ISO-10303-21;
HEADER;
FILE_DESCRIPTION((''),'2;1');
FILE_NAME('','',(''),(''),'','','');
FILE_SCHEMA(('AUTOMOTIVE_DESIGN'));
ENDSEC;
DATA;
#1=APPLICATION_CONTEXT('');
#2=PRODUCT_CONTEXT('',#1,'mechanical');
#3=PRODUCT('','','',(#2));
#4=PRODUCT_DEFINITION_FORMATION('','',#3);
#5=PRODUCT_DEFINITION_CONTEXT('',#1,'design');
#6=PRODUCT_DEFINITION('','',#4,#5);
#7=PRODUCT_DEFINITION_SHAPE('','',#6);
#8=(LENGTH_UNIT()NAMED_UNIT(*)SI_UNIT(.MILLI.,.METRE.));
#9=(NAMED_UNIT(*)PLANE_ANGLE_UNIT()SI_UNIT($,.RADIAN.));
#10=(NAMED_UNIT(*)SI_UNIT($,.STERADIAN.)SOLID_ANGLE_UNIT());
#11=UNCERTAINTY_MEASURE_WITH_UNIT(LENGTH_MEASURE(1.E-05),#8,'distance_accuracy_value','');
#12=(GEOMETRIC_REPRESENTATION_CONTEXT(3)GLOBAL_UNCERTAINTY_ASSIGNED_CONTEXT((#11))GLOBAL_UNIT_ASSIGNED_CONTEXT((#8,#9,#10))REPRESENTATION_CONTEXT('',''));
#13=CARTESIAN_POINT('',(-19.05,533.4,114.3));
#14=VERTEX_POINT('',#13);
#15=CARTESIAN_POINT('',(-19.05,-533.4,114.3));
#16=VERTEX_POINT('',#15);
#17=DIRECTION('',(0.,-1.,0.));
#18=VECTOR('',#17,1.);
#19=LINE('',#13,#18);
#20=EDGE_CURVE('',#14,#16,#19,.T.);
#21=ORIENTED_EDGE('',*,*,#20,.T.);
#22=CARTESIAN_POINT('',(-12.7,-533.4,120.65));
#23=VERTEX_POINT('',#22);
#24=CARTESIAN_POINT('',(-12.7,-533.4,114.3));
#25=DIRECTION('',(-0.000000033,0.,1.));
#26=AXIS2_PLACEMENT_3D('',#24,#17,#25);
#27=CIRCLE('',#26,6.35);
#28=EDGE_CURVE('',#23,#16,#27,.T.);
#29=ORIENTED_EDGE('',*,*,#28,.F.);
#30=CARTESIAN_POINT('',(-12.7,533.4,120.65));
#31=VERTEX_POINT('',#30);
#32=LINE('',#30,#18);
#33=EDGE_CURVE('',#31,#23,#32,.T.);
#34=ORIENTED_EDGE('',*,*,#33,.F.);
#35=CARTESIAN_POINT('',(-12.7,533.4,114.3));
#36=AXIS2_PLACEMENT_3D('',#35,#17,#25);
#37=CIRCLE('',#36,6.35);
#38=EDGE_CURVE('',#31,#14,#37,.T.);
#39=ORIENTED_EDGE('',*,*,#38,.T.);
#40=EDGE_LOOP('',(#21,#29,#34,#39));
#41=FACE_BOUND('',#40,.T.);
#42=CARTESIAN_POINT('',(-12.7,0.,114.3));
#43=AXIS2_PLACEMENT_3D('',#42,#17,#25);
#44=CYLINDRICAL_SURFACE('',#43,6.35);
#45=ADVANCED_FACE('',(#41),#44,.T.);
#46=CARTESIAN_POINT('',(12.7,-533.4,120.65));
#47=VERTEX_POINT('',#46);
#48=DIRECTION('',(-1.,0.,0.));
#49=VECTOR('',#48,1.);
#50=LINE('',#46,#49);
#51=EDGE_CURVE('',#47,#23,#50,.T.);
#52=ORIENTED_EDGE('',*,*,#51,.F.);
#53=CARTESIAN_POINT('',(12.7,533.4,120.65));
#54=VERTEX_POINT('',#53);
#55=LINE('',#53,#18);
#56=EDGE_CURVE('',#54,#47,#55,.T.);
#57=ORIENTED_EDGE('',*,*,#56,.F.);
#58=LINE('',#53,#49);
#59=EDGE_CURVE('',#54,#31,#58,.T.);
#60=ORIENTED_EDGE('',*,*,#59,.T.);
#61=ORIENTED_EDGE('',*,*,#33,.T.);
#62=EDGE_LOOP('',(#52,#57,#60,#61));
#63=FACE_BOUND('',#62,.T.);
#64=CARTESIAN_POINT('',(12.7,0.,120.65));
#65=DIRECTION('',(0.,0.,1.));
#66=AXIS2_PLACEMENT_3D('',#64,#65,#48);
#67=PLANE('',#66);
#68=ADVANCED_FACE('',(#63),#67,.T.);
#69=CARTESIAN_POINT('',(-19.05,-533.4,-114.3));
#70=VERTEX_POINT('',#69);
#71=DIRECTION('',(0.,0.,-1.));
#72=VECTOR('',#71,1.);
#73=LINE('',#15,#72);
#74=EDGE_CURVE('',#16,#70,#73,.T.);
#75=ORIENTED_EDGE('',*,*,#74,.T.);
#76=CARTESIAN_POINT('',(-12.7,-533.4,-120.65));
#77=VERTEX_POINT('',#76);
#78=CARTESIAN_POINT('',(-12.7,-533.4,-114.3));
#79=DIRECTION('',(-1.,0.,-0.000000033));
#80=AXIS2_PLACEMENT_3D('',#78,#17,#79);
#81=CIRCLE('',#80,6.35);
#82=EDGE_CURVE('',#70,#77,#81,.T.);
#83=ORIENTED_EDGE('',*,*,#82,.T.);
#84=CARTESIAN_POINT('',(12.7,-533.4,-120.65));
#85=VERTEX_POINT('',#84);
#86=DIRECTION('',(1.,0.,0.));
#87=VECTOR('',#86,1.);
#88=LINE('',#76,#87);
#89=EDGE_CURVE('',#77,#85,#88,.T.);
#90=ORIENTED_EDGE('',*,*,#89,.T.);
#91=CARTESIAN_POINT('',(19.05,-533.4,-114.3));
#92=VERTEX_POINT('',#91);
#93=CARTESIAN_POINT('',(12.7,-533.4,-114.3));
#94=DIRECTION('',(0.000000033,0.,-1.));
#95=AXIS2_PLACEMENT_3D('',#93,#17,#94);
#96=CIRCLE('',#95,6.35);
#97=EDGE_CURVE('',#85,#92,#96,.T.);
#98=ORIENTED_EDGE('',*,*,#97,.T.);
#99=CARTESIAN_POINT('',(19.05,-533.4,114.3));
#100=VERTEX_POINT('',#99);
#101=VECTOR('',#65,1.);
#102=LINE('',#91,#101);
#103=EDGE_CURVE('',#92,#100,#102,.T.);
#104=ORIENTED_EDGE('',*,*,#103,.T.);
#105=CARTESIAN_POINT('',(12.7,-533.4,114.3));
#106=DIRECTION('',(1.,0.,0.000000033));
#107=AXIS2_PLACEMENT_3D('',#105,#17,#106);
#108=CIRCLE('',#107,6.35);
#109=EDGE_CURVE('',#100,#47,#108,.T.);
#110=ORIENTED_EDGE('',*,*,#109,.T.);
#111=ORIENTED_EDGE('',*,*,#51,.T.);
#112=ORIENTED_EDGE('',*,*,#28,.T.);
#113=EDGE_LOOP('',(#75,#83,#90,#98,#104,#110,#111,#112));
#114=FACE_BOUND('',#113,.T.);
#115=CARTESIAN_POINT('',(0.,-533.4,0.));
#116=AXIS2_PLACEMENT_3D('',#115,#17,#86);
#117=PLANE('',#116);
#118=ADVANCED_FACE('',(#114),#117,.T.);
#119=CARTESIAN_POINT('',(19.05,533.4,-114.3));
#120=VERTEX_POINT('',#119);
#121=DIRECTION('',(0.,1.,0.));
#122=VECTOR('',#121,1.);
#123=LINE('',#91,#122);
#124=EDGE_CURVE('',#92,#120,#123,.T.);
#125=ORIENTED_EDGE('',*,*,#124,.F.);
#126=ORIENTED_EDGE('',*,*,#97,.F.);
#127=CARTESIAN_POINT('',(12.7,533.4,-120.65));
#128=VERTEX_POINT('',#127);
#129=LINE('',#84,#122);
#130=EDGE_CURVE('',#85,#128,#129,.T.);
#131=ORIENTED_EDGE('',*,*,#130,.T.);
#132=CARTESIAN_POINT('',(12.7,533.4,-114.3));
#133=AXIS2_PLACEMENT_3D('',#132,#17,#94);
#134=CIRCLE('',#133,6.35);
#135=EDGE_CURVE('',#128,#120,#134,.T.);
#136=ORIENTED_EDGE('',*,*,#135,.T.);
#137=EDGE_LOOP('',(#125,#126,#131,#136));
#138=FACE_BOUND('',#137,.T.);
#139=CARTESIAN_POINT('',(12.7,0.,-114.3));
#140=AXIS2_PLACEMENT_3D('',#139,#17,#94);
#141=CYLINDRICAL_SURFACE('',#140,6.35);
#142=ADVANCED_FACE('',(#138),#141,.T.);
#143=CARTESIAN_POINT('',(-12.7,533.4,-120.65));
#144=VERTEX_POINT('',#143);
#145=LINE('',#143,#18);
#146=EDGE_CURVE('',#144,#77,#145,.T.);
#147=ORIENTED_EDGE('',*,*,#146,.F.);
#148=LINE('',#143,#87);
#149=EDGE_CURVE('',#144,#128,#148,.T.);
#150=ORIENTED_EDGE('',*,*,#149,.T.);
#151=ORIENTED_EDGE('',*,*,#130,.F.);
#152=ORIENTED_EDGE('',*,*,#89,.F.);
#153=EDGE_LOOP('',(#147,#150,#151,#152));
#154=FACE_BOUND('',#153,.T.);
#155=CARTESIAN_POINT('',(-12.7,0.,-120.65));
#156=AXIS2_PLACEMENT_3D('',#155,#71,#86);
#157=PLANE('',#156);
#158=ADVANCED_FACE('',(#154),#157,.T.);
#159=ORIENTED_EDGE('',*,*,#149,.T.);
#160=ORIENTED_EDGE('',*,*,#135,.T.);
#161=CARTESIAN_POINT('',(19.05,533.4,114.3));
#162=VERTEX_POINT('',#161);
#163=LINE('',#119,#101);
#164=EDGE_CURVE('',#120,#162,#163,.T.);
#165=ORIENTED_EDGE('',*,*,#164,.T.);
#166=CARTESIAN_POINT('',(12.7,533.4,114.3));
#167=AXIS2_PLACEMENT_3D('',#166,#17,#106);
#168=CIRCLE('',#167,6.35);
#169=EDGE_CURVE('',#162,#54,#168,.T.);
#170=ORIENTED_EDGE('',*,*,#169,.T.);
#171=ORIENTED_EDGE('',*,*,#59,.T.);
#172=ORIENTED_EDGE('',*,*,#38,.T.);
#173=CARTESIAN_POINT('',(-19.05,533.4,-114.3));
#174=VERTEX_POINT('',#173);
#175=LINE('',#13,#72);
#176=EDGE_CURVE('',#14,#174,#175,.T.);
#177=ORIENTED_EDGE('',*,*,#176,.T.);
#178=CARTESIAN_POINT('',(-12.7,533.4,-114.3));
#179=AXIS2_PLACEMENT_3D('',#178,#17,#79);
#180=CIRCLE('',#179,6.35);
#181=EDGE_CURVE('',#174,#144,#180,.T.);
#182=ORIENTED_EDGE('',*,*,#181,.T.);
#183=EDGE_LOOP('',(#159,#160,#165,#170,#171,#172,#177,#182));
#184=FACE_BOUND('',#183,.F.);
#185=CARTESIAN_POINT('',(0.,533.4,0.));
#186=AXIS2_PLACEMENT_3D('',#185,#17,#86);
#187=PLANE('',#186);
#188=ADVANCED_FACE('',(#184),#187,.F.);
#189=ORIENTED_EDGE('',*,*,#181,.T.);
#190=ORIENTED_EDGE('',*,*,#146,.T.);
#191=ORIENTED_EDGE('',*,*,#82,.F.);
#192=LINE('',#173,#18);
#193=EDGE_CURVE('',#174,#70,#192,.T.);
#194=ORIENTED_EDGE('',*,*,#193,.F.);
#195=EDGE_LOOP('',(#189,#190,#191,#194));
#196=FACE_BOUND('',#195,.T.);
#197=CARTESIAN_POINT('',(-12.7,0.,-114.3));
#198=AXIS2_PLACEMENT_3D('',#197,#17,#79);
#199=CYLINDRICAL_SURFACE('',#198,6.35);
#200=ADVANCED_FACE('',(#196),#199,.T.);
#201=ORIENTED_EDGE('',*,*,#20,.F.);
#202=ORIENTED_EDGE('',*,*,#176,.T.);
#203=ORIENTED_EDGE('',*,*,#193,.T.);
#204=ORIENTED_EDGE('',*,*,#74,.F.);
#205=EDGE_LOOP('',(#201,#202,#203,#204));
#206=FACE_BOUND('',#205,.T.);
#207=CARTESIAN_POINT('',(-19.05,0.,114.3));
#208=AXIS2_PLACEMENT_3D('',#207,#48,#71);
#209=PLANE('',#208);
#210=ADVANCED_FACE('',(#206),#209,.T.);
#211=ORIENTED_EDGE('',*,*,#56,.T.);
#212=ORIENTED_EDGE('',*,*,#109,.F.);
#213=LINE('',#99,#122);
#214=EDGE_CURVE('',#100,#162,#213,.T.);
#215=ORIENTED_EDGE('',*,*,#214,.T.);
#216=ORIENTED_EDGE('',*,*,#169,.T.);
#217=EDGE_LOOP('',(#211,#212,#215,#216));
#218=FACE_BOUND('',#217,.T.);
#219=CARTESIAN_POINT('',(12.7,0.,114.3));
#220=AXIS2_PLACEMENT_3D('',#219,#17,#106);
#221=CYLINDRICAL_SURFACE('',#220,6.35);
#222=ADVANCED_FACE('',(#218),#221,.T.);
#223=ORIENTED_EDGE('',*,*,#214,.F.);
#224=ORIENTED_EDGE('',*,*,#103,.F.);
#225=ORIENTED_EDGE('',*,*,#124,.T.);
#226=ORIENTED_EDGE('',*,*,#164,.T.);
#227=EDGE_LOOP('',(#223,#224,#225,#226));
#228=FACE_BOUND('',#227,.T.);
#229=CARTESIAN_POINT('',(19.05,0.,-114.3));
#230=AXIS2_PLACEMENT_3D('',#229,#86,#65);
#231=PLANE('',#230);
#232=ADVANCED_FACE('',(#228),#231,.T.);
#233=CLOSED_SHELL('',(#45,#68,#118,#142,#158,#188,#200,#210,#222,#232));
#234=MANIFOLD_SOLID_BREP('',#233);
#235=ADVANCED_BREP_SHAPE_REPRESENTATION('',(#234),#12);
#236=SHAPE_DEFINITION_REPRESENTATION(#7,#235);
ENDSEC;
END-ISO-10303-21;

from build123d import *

# Parameters (mm, degrees)
F1_DEPTH = 533.4


with BuildPart() as f1:
    # F0 (on Front) → F1 (new body, symmetric)
    with BuildSketch(Plane.XZ):
        with BuildLine():
            ThreePointArc((19.05, 114.3), (17.190128, 118.790128), (12.7, 120.65))
            Line((12.7, 120.65), (-12.7, 120.65))
            ThreePointArc((-12.7, 120.65), (-17.190128, 118.790128), (-19.05, 114.3))
            Line((-19.05, 114.3), (-19.05, -114.3))
            ThreePointArc((-19.05, -114.3), (-17.190128, -118.790128), (-12.7, -120.65))
            Line((-12.7, -120.65), (12.7, -120.65))
            ThreePointArc((12.7, -120.65), (17.190128, -118.790128), (19.05, -114.3))
            Line((19.05, -114.3), (19.05, 114.3))
        make_face()
    extrude(amount=F1_DEPTH, both=True)


solid = f1.part
